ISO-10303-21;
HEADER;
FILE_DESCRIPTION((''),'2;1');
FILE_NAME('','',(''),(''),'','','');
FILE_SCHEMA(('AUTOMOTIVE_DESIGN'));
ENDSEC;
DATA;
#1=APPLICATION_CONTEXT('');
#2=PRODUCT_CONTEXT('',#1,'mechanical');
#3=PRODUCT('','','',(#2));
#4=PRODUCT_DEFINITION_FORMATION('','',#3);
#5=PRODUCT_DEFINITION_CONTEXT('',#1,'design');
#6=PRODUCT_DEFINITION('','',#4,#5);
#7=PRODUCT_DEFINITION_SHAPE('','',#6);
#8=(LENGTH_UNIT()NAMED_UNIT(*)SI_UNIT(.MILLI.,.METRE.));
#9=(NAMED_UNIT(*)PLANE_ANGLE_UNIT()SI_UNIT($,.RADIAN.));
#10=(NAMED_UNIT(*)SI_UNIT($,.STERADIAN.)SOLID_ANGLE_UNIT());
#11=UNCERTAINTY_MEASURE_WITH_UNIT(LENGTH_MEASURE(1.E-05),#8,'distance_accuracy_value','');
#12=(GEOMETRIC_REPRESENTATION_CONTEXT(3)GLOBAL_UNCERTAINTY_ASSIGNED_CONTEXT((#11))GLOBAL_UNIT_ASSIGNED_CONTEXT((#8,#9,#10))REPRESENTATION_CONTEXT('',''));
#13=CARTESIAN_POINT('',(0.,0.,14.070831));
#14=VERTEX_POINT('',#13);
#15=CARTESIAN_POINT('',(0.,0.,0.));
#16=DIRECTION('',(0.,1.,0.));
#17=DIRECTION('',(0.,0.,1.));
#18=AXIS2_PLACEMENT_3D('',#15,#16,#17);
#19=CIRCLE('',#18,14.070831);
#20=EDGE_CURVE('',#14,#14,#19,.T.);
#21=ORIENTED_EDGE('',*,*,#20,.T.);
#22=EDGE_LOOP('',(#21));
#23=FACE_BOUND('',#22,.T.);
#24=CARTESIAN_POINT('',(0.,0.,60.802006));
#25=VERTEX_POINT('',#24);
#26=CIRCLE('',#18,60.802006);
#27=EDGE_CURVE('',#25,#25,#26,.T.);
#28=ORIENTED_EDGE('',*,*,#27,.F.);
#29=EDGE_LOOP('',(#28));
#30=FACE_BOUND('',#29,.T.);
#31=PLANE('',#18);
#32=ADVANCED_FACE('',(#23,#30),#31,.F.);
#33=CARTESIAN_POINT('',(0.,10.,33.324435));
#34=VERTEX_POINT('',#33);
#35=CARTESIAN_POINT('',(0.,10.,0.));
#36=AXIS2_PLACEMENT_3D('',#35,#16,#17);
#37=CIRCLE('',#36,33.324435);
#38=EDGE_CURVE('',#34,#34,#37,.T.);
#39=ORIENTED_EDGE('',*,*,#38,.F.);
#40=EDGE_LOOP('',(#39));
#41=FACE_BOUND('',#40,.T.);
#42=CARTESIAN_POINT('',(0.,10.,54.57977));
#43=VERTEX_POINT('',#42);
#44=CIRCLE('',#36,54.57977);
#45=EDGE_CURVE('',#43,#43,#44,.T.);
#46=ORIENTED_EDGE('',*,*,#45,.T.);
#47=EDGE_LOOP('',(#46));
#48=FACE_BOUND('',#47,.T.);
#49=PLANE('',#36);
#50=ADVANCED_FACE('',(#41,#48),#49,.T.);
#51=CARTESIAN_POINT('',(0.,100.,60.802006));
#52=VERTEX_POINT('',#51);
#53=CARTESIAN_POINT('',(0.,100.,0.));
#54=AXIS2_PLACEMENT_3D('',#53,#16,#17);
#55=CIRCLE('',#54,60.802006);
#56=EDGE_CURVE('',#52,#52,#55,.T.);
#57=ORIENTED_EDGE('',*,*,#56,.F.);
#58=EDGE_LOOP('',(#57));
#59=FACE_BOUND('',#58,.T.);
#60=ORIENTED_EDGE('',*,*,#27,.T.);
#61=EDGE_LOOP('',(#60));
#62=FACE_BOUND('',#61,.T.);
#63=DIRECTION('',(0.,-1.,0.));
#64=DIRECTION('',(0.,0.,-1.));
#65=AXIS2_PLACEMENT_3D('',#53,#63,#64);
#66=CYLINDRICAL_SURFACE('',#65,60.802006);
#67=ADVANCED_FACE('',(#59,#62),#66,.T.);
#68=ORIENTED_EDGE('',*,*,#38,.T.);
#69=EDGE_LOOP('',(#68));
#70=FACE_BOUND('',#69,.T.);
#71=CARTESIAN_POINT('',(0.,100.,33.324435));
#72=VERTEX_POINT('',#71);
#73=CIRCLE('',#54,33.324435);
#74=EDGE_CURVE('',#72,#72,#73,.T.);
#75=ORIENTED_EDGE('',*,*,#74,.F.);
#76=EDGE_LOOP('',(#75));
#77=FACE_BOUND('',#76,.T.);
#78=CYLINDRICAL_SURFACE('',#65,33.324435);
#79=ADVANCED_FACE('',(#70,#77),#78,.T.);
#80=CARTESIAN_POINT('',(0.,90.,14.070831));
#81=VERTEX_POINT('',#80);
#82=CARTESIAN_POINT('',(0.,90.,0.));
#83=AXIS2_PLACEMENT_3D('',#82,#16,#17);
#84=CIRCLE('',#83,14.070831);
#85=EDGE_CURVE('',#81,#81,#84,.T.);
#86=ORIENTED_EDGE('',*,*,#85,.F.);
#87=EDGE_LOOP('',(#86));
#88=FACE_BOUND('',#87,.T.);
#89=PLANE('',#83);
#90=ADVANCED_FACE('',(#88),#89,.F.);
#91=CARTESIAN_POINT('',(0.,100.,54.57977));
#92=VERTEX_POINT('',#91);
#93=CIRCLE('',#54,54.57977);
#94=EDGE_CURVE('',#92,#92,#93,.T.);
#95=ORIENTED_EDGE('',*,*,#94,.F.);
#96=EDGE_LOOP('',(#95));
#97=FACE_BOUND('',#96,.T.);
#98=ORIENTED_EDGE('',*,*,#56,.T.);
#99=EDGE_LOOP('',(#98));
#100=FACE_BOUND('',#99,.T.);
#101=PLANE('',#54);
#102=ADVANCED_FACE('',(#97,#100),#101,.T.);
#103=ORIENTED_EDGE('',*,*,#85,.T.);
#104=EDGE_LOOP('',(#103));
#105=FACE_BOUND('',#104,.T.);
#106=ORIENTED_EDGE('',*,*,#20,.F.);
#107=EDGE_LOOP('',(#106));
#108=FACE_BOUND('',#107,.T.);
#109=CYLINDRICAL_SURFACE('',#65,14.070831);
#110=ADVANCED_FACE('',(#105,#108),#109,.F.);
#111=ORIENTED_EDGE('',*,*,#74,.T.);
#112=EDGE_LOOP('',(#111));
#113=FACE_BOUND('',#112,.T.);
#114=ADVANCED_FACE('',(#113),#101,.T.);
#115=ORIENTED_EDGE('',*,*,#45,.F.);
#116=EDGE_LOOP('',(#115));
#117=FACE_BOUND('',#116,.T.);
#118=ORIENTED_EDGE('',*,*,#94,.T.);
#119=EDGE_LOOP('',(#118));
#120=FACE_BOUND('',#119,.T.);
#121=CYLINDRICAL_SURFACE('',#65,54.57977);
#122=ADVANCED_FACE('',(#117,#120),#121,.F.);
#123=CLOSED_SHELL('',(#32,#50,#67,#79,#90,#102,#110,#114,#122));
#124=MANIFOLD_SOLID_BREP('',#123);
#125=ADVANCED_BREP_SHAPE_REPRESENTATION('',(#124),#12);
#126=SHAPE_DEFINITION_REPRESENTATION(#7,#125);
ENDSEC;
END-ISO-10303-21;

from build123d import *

# Parameters (mm, degrees)
ESBO_O1_R                  = 60.802005659
ESBO_O1_R_2                = 54.579770148
RESSALTO_EXTRUS_O1_DEPTH   = 100
ESBO_O1_R_3                = 33.324434684
ESBO_O1_R_4                = 14.070831149
RESSALTO_EXTRUS_O1_2_DEPTH = 100
ESBO_O3_R                  = 14.070831149
RESSALTO_EXTRUS_O2_DEPTH   = 10
ESBO_O1_3_R                = 54.579770148
ESBO_O1_3_R_2              = 33.324434684
RESSALTO_EXTRUS_O3_DEPTH   = 10


with BuildPart() as part:
    # Esboço1 → Ressalto-extrusão1 (new body)
    with BuildSketch(Plane(origin=(0, 0, 0), x_dir=(1, 0, 0), z_dir=(0, 1, 0))):
        Circle(ESBO_O1_R)
        Circle(ESBO_O1_R_2, mode=Mode.SUBTRACT)
    extrude(amount=RESSALTO_EXTRUS_O1_DEPTH)



with BuildPart() as body_2:
    # Esboço1 → Ressalto-extrus_o1 2 (new body)
    with BuildSketch(Plane(origin=(0, 0, 0), x_dir=(1, 0, 0), z_dir=(0, 1, 0))):
        Circle(ESBO_O1_R_3)
        Circle(ESBO_O1_R_4, mode=Mode.SUBTRACT)
    extrude(amount=RESSALTO_EXTRUS_O1_2_DEPTH)

    # Esboço3 → Ressalto-extrusão2 (add)
    with BuildSketch(Plane(origin=(0, 100, 0), x_dir=(1, 0, 0), z_dir=(0, 1, 0))):
        Circle(ESBO_O3_R)
    extrude(amount=-RESSALTO_EXTRUS_O2_DEPTH)


with BuildPart() as part_1:
    add(part.part)

    add(body_2.part)  # Ressalto-extrusão3 merges body 2
    # Esboço1<3> → Ressalto-extrusão3 (add)
    with BuildSketch(Plane(origin=(0, 0, 0), x_dir=(1, 0, 0), z_dir=(0, 1, 0))):
        Circle(ESBO_O1_3_R)
        Circle(ESBO_O1_3_R_2, mode=Mode.SUBTRACT)
    extrude(amount=RESSALTO_EXTRUS_O3_DEPTH)


solid = part_1.part
